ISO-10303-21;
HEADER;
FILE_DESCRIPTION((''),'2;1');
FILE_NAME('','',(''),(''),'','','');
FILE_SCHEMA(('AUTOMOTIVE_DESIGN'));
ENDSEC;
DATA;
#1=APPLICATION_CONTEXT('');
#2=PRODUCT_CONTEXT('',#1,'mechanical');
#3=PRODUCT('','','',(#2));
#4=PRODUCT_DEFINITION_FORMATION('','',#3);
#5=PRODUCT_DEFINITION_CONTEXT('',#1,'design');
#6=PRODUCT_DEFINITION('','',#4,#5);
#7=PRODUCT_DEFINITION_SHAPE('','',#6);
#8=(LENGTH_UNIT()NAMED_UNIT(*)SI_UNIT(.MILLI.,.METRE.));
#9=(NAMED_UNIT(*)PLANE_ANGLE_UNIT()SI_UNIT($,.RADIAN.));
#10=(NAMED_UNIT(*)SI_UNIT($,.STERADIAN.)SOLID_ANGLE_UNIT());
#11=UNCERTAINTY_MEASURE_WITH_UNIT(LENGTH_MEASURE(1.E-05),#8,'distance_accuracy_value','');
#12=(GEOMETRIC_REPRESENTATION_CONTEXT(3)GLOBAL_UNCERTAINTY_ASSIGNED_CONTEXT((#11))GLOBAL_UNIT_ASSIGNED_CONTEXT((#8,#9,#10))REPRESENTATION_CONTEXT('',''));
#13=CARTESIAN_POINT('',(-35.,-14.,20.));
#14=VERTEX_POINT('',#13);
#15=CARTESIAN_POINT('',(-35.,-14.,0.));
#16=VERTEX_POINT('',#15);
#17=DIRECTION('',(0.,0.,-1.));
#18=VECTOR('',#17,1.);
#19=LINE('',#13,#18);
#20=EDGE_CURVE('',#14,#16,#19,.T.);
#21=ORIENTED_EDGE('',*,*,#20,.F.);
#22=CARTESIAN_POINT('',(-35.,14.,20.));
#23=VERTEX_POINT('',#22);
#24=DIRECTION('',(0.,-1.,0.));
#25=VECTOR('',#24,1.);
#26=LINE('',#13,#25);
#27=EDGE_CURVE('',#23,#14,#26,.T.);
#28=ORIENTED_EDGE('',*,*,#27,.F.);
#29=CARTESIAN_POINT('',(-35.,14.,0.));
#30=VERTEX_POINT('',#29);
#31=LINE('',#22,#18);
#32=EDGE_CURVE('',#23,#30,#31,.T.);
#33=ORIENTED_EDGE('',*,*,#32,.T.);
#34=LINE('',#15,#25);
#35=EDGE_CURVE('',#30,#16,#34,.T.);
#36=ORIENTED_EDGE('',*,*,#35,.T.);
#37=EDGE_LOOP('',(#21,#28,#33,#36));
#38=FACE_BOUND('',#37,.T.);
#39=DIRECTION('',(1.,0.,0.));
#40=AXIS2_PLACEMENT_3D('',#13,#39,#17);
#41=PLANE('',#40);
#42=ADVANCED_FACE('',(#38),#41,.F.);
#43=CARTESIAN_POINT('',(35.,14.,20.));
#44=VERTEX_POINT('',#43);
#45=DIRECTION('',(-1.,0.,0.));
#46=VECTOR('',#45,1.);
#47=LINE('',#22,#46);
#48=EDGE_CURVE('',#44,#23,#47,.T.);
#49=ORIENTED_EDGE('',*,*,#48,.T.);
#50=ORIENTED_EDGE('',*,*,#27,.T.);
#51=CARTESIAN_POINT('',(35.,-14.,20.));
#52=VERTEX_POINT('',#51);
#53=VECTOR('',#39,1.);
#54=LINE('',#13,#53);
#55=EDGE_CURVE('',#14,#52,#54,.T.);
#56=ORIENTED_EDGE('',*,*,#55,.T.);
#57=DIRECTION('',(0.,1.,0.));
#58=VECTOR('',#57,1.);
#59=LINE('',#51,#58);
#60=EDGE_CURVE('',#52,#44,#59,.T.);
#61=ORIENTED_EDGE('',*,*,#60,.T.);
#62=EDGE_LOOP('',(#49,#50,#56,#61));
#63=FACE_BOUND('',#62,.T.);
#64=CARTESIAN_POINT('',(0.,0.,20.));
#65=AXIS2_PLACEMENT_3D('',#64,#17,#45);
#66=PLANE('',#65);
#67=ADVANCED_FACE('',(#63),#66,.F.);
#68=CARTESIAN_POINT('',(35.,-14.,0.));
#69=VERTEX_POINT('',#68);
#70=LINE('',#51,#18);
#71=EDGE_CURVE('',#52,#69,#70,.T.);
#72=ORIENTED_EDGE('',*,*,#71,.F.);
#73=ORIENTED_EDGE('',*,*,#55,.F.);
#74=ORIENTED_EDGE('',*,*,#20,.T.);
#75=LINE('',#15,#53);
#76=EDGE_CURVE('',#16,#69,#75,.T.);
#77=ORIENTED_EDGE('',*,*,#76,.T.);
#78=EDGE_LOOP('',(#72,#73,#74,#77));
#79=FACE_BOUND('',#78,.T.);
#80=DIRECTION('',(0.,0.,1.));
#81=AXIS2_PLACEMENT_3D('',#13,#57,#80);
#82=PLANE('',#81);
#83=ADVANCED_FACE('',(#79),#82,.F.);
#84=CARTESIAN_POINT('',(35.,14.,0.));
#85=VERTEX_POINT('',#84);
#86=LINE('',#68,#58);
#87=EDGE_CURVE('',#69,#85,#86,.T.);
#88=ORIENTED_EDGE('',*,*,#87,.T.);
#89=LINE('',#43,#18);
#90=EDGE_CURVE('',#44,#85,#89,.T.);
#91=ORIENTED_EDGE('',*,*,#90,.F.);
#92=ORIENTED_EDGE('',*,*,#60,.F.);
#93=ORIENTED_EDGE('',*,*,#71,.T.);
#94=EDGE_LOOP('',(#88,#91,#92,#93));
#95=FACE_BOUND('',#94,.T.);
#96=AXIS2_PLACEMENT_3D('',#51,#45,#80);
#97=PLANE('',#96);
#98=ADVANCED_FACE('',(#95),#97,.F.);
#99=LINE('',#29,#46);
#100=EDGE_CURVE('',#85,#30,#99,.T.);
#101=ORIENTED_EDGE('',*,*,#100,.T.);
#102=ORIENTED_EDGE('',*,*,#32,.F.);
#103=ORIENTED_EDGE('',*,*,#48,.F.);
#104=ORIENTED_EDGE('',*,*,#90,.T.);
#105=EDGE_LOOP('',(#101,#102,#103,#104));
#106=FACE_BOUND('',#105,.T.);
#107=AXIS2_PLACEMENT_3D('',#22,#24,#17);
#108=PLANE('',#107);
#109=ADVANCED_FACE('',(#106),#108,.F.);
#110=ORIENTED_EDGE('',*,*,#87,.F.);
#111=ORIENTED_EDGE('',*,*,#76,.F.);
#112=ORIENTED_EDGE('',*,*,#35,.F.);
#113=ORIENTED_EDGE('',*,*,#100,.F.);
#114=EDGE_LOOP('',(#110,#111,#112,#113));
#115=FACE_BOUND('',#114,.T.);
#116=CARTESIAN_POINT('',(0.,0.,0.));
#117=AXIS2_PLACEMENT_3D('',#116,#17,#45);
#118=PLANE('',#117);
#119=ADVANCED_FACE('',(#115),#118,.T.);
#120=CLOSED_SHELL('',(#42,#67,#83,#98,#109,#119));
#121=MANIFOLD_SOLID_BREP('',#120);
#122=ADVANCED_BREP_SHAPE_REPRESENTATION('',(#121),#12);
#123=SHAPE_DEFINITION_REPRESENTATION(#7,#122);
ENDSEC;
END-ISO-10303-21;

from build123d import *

# Parameters (mm, degrees)
SKETCH1_W                                  = 70
SKETCH1_H                                  = 28
REFERENCE_ENVELOPE_NOT_MANUFACTURING_DEPTH = 20


with BuildPart() as part:
    # Sketch1 → REFERENCE_ENVELOPE_NOT_MANUFACTURING (new body)
    with BuildSketch(Plane.XY):
        Rectangle(SKETCH1_W, SKETCH1_H)
    extrude(amount=REFERENCE_ENVELOPE_NOT_MANUFACTURING_DEPTH)


solid = part.part
